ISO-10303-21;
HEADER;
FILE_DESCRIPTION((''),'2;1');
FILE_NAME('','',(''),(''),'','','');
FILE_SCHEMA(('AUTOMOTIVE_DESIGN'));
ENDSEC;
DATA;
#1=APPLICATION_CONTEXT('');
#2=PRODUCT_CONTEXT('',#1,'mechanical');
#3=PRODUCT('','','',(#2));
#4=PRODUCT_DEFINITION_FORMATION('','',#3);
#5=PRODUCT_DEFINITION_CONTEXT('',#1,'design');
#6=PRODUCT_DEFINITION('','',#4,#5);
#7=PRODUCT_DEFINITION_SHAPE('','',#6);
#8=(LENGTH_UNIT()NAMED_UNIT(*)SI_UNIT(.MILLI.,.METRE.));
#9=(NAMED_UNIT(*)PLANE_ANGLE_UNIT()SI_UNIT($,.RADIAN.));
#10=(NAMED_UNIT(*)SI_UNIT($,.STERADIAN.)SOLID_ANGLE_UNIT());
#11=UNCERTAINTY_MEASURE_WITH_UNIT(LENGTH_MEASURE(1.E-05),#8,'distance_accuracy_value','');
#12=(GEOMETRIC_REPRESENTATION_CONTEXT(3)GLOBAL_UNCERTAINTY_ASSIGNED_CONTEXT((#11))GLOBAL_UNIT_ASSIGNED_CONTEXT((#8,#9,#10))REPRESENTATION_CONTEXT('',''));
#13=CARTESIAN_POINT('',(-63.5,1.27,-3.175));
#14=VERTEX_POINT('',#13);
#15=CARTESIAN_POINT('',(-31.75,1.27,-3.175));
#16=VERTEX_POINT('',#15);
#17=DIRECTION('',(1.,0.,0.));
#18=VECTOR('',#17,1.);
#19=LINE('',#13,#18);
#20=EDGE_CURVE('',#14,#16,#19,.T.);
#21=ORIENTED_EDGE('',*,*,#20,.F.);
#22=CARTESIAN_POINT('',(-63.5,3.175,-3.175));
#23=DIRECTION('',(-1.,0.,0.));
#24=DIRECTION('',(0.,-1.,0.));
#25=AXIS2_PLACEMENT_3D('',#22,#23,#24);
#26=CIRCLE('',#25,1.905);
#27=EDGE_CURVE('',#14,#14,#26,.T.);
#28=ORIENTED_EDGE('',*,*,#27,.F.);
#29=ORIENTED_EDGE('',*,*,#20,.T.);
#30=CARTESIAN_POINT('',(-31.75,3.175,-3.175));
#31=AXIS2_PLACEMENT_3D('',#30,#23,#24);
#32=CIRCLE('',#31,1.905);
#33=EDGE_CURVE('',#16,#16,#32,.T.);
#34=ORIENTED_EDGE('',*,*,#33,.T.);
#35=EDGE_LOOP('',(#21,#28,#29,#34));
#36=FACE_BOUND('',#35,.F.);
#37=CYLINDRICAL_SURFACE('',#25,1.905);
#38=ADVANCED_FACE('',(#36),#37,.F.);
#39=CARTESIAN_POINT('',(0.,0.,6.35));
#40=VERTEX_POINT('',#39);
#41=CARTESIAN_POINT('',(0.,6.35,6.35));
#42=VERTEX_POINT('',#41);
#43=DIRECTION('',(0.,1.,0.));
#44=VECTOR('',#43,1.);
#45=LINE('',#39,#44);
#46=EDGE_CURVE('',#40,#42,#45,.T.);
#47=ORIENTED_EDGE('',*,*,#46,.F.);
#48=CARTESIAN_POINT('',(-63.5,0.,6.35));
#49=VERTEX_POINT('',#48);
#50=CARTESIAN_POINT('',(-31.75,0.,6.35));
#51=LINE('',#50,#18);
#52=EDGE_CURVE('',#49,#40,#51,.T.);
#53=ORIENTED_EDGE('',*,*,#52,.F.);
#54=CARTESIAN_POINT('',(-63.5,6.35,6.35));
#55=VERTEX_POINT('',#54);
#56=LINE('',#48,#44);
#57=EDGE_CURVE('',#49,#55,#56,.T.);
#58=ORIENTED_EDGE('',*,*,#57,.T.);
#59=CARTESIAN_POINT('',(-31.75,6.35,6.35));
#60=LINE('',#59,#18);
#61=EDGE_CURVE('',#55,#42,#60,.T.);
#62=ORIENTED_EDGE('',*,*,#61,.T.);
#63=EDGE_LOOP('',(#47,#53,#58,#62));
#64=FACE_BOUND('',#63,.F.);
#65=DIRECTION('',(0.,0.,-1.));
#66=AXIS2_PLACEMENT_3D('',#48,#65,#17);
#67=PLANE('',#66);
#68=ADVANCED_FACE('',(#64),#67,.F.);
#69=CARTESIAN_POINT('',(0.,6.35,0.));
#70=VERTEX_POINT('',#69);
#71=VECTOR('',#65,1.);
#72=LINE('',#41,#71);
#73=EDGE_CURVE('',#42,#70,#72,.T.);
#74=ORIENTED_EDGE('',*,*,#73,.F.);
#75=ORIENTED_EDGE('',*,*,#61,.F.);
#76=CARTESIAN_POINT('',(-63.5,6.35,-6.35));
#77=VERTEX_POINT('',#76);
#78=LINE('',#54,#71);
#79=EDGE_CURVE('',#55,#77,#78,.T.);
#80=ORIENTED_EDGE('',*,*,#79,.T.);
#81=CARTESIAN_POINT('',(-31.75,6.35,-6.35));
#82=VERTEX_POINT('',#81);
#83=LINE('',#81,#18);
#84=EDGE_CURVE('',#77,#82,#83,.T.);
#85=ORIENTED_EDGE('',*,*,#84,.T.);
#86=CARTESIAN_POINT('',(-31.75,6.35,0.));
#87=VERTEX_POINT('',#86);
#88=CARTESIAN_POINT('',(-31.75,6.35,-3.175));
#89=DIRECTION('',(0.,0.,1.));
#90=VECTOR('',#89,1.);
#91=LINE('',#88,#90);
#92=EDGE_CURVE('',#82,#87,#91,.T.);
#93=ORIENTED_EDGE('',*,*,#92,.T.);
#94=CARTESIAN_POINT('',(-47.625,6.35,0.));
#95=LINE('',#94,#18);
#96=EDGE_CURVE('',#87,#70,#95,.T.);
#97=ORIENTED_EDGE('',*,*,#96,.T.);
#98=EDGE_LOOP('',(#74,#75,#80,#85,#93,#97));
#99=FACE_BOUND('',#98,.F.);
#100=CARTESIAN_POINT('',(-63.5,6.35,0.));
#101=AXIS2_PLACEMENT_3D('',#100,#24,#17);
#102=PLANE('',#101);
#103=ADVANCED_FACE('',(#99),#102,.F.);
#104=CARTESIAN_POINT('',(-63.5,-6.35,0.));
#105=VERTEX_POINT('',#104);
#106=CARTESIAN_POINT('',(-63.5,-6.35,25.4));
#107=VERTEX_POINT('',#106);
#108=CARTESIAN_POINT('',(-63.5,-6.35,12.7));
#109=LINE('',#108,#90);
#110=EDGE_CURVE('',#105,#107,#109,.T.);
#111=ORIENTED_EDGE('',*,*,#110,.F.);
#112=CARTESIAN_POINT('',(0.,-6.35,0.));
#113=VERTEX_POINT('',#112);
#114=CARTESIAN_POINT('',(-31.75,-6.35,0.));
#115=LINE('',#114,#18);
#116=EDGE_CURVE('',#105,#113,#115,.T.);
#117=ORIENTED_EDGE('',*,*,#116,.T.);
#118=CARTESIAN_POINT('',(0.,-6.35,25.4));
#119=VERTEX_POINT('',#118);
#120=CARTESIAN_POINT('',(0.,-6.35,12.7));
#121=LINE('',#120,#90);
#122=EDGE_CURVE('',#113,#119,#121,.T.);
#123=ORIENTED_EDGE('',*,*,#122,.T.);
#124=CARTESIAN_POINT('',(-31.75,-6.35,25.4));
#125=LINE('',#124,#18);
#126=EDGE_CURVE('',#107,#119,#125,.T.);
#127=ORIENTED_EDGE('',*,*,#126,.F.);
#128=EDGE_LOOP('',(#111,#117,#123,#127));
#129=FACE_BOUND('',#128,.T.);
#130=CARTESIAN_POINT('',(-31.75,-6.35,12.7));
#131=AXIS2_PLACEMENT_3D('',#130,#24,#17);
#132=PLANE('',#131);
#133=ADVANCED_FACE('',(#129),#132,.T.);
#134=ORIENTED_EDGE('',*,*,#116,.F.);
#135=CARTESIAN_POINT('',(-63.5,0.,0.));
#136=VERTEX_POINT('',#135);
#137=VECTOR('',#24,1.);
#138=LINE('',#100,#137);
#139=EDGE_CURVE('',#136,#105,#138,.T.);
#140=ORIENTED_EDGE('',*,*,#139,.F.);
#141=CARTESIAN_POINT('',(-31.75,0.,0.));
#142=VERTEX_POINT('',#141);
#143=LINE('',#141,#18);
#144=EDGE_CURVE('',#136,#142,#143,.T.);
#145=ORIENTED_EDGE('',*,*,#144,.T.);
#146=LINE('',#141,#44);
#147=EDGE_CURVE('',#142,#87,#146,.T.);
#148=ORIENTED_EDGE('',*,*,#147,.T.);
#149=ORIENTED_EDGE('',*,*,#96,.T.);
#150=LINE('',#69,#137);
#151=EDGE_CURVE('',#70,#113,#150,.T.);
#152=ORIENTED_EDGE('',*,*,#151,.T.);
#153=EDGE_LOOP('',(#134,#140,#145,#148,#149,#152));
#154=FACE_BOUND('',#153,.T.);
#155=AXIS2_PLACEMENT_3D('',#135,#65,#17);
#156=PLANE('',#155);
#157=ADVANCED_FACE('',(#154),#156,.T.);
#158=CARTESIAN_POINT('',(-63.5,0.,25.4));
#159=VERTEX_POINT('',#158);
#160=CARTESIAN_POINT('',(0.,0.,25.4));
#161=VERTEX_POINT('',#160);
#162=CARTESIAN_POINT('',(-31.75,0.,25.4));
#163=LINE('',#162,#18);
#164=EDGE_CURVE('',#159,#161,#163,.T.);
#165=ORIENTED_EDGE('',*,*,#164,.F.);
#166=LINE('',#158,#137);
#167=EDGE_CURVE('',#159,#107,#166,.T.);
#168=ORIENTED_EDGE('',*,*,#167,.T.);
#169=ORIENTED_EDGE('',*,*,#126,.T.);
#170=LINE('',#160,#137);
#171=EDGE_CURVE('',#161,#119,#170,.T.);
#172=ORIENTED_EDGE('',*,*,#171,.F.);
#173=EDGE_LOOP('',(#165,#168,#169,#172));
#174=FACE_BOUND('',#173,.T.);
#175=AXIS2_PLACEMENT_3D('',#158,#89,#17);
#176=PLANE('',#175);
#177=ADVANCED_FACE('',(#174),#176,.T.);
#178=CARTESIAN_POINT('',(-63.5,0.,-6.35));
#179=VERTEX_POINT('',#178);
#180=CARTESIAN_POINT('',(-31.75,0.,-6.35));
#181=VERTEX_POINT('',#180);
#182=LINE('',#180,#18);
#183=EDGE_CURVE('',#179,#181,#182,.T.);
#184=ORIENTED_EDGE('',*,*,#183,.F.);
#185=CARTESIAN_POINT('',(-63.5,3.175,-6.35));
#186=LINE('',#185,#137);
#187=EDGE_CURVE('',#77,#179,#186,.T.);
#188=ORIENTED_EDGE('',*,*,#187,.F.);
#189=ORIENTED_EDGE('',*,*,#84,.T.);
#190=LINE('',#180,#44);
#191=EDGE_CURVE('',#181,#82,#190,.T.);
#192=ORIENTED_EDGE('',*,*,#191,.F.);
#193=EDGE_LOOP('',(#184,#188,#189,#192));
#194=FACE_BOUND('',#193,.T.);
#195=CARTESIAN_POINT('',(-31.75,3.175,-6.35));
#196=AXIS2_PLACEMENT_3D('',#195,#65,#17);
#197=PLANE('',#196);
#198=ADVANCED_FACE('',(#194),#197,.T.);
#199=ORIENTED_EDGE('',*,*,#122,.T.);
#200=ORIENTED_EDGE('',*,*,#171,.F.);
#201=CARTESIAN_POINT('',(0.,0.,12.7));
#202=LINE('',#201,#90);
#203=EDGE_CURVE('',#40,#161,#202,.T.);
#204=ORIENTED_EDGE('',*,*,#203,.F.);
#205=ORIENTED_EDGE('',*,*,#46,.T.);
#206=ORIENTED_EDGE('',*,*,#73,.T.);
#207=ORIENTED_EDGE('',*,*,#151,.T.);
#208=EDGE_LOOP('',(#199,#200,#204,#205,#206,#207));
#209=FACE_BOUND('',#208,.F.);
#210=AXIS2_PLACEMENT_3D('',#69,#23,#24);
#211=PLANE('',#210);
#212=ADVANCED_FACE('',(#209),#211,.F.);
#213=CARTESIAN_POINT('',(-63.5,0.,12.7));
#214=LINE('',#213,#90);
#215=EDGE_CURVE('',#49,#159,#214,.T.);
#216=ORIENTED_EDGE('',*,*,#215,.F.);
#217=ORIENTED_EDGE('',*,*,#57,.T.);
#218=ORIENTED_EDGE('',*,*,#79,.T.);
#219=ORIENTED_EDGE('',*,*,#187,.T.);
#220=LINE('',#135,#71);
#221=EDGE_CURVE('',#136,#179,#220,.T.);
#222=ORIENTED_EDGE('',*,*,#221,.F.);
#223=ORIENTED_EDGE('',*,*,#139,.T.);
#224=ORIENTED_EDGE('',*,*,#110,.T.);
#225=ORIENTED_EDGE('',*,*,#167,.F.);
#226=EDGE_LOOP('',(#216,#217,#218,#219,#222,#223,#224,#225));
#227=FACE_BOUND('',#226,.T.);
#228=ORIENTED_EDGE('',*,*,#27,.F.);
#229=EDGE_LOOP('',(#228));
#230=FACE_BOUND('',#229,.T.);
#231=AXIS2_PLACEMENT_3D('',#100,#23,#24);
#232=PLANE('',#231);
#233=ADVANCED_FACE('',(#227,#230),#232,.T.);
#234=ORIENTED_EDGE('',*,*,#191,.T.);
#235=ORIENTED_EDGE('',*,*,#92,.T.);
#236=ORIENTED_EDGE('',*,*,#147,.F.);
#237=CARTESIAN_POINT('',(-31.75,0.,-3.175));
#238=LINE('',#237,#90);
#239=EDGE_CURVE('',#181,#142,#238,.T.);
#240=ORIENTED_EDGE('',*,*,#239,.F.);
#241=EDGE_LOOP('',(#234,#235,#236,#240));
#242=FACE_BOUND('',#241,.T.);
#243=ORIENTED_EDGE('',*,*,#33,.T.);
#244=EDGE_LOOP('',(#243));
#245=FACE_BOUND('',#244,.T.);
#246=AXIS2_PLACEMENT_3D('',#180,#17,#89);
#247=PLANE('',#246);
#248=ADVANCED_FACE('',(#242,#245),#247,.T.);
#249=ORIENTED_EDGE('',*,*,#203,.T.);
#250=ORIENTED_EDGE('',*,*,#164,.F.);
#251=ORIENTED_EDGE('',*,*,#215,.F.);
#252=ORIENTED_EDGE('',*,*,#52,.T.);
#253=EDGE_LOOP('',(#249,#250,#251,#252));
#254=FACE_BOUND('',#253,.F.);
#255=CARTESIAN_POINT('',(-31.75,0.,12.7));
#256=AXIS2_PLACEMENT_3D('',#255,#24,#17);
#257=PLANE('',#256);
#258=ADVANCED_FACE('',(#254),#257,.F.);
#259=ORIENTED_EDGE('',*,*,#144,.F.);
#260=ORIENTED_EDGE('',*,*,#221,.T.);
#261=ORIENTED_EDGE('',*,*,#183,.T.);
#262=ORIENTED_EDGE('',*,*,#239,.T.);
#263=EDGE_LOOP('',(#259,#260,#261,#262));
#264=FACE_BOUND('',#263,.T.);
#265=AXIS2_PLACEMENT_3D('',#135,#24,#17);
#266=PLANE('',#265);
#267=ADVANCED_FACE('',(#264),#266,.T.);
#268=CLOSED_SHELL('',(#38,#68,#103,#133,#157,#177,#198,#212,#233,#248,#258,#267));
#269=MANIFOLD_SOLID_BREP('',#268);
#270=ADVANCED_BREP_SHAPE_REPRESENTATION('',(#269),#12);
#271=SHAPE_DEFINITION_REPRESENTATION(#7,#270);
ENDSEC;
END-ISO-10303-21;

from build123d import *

# Parameters (mm, degrees)
F0_W     = 63.5
F0_H     = 25.4
F1_DEPTH = 6.35
F2_W     = 63.5
F2_H     = 6.35
F3_DEPTH = 6.35
F4_W     = 63.5
F4_H     = 6.35
F5_DEPTH = 6.35
F6_R     = 1.905
F7_DEPTH = 63.501
F8_W     = 31.75
F8_H     = 6.35
F9_DEPTH = 25.4


with BuildPart() as f1:
    # F0 (on Front) → F1 (new body)
    with BuildSketch(Plane.XZ):
        with Locations((-31.75, 12.7)):
            Rectangle(F0_W, F0_H)
    extrude(amount=F1_DEPTH)

    # F2 (on Front) → F3 (join)
    with BuildSketch(Plane.XZ):
        with Locations((-31.75, 3.175)):
            Rectangle(F2_W, F2_H)
    extrude(amount=-F3_DEPTH)

    # F4 (on face) → F5 (join)
    with BuildSketch(Plane(origin=(0, 0, 0), x_dir=(1, 0, 0), z_dir=(0, 0, -1))):
        with Locations((-31.75, -3.175)):
            Rectangle(F4_W, F4_H)
    extrude(amount=F5_DEPTH)

    # F6 (on face) → F7 (cut, through all)
    with BuildSketch(Plane(origin=(-63.5, 0, 0), x_dir=(0, -1, 0), z_dir=(-1, 0, 0))):
        with Locations((-3.175, -3.175)):
            Circle(F6_R)
    extrude(amount=-F7_DEPTH, mode=Mode.SUBTRACT)

    # F8 (on face) → F9 (cut)
    with BuildSketch(Plane.XZ):
        with Locations((-15.875, -3.175)):
            Rectangle(F8_W, F8_H)
    extrude(amount=-F9_DEPTH, mode=Mode.SUBTRACT)


solid = f1.part
